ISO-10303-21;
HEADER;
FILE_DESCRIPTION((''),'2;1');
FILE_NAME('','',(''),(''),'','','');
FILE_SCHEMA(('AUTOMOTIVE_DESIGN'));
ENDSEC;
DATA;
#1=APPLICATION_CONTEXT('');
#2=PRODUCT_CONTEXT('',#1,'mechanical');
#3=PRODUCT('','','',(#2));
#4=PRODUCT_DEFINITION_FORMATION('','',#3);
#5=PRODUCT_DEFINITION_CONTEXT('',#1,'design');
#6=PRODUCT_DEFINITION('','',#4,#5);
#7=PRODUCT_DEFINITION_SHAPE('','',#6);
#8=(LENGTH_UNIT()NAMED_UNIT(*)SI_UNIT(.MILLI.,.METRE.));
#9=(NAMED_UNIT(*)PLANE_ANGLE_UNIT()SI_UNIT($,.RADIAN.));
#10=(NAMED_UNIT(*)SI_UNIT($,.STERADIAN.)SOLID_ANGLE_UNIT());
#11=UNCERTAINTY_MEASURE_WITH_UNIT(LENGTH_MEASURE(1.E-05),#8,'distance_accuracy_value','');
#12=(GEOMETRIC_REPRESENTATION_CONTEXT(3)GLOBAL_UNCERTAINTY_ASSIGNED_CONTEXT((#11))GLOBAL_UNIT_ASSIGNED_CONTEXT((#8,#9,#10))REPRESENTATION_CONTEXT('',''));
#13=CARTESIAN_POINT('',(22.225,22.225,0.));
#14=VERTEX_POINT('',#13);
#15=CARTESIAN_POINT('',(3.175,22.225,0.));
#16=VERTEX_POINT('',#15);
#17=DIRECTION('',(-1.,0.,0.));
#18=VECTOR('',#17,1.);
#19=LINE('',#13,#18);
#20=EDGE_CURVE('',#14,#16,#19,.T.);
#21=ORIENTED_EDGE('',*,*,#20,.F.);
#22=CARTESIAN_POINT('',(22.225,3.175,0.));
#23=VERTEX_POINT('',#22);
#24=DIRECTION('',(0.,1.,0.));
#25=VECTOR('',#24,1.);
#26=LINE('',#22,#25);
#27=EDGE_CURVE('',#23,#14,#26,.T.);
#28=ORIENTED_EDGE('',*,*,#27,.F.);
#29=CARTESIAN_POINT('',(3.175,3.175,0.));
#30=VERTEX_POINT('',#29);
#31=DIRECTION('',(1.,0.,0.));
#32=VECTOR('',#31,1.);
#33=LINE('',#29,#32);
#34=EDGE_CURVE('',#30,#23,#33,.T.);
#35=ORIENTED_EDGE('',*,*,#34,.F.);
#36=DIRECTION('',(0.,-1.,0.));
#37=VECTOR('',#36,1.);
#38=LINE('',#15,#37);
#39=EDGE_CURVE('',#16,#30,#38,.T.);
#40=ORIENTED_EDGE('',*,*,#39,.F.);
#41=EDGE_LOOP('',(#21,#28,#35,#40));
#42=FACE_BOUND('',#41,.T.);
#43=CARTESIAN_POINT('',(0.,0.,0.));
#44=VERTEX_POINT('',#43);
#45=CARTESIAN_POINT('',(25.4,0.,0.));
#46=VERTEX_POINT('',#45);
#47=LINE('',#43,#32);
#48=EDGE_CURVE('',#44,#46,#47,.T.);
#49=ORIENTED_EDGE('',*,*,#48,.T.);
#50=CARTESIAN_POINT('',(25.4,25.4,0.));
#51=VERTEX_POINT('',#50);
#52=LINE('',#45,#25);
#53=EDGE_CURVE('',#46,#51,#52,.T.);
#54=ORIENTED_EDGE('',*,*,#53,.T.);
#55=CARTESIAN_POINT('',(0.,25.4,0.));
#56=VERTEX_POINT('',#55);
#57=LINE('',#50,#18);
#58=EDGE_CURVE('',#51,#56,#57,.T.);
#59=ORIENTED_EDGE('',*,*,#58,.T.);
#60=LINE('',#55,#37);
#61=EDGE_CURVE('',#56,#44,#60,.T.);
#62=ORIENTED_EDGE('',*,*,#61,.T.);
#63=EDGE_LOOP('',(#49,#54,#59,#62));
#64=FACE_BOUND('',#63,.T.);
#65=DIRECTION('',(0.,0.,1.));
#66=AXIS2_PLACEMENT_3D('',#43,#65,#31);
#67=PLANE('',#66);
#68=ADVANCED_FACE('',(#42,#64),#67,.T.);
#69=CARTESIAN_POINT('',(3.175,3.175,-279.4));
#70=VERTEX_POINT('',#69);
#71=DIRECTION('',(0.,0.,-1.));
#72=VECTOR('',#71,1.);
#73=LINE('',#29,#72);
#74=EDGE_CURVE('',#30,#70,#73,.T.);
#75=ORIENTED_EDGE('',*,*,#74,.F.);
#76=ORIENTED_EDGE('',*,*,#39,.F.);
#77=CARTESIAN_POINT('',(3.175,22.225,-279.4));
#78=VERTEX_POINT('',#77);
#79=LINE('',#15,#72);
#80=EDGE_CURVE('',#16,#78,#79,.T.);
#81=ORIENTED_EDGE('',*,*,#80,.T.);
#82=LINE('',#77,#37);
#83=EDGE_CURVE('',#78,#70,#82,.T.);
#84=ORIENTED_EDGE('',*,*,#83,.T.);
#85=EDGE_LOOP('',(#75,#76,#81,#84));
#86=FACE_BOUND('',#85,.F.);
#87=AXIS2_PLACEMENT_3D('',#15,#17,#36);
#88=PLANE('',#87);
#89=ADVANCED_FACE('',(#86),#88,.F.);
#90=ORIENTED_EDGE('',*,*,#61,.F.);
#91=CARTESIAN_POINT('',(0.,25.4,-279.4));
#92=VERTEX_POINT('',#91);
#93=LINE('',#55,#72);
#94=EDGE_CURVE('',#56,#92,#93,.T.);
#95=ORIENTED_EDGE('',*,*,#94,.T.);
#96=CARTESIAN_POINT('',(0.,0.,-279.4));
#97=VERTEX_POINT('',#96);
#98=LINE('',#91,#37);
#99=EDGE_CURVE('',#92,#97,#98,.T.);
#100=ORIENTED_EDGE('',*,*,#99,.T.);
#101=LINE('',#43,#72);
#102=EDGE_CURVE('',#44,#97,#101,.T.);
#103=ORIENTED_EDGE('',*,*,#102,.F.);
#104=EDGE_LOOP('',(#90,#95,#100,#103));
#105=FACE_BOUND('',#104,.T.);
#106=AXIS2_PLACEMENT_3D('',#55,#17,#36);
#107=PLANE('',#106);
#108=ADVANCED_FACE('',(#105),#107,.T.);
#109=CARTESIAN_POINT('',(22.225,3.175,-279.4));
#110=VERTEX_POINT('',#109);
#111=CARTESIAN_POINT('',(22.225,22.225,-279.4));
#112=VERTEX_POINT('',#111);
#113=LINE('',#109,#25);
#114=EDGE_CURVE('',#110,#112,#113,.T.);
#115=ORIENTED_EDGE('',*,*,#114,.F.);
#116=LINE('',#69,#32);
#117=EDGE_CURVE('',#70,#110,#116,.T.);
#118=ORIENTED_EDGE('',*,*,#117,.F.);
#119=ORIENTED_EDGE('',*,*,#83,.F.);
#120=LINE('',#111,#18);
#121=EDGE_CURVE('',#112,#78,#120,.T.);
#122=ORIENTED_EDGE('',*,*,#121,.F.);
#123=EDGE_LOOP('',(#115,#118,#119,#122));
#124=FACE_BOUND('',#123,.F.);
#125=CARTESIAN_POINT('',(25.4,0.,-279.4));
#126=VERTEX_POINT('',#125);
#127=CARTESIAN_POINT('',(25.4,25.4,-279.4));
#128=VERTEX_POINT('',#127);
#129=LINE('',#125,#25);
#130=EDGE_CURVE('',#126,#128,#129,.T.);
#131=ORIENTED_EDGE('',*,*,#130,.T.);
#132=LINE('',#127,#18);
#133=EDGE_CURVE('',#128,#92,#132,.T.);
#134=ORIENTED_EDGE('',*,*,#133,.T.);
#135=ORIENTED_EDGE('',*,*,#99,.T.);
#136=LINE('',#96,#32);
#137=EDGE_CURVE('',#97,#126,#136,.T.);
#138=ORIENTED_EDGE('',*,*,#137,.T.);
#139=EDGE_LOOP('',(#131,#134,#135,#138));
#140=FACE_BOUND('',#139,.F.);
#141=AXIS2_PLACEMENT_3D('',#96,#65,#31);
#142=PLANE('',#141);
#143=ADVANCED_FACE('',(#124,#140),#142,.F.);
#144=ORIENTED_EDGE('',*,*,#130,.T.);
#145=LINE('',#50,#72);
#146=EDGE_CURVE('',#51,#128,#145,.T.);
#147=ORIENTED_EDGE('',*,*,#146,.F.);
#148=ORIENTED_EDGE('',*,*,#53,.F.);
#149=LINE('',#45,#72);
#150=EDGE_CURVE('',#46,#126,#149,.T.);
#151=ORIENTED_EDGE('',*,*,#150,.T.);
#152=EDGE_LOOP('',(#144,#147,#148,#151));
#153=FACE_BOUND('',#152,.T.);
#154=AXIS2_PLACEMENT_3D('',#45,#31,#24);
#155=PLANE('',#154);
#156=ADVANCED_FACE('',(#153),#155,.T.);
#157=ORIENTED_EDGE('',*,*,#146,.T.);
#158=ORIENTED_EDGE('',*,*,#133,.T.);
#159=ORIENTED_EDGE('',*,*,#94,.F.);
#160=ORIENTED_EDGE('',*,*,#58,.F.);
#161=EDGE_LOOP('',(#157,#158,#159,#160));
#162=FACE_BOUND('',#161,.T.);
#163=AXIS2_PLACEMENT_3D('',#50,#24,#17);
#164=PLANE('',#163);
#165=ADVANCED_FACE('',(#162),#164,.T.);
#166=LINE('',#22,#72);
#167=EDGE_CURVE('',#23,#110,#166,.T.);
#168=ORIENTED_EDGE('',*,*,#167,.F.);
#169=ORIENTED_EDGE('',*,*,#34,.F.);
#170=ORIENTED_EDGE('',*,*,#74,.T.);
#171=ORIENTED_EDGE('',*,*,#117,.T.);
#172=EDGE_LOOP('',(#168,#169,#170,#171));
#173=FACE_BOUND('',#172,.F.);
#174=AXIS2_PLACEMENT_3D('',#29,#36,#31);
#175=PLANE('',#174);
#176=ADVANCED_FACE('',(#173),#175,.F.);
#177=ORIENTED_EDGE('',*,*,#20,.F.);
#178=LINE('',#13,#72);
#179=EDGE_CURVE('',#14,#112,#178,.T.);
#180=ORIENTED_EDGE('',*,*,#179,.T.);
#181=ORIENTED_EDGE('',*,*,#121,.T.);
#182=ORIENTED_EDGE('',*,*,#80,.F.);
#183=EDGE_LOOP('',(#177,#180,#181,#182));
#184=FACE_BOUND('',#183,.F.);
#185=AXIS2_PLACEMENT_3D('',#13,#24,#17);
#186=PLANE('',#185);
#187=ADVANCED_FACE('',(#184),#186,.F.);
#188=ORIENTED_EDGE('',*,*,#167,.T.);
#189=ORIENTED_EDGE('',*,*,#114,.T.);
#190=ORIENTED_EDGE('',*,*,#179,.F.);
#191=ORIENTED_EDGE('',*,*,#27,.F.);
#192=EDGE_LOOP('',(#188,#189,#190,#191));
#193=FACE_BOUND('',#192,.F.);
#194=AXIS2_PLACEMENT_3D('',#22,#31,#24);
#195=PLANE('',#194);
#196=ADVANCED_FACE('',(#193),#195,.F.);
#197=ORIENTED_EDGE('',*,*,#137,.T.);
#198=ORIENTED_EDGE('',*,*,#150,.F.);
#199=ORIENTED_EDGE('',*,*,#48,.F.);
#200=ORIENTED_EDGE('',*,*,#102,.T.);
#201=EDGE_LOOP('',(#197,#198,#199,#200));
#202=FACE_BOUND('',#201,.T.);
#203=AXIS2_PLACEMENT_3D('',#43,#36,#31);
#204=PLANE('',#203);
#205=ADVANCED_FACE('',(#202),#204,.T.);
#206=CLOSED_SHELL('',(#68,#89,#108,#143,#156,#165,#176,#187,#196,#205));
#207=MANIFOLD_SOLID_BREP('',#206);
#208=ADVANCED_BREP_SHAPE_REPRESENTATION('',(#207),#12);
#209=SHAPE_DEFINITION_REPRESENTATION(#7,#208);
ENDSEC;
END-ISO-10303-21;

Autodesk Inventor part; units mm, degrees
ref_plane "YZ Plane" through (0, 0, 0) normal (1, 0, 0) x (0, 1, 0)
ref_plane "XZ Plane" through (0, 0, 0) normal (0, 1, 0) x (-1, 0, 0)
ref_plane "XY Plane" through (0, 0, 0) normal (0, 0, 1) x (1, 0, 0)
sketch "Sketch1" plane through (0, 0, 0) normal (0, 0, 1) x (1, 0, 0)
  line L0 (0, 0) -> (25.4, 0)
  line L1 (25.4, 0) -> (25.4, 25.4)
  line L2 (25.4, 25.4) -> (0, 25.4)
  line L3 (0, 25.4) -> (0, 0)
  line L4 (3.175, 3.175) -> (22.225, 3.175)
  line L5 (22.225, 3.175) -> (22.225, 22.225)
  line L6 (22.225, 22.225) -> (3.175, 22.225)
  line L7 (3.175, 22.225) -> (3.175, 3.175)
  dimension "d0" = 25.4
  dimension "d1" = 25.4
  dimension "d2" = 3.175
extrude "Extrusion1" add sketch "Sketch1" against normal blind 279.4
properties part number "towerbracedraft"
